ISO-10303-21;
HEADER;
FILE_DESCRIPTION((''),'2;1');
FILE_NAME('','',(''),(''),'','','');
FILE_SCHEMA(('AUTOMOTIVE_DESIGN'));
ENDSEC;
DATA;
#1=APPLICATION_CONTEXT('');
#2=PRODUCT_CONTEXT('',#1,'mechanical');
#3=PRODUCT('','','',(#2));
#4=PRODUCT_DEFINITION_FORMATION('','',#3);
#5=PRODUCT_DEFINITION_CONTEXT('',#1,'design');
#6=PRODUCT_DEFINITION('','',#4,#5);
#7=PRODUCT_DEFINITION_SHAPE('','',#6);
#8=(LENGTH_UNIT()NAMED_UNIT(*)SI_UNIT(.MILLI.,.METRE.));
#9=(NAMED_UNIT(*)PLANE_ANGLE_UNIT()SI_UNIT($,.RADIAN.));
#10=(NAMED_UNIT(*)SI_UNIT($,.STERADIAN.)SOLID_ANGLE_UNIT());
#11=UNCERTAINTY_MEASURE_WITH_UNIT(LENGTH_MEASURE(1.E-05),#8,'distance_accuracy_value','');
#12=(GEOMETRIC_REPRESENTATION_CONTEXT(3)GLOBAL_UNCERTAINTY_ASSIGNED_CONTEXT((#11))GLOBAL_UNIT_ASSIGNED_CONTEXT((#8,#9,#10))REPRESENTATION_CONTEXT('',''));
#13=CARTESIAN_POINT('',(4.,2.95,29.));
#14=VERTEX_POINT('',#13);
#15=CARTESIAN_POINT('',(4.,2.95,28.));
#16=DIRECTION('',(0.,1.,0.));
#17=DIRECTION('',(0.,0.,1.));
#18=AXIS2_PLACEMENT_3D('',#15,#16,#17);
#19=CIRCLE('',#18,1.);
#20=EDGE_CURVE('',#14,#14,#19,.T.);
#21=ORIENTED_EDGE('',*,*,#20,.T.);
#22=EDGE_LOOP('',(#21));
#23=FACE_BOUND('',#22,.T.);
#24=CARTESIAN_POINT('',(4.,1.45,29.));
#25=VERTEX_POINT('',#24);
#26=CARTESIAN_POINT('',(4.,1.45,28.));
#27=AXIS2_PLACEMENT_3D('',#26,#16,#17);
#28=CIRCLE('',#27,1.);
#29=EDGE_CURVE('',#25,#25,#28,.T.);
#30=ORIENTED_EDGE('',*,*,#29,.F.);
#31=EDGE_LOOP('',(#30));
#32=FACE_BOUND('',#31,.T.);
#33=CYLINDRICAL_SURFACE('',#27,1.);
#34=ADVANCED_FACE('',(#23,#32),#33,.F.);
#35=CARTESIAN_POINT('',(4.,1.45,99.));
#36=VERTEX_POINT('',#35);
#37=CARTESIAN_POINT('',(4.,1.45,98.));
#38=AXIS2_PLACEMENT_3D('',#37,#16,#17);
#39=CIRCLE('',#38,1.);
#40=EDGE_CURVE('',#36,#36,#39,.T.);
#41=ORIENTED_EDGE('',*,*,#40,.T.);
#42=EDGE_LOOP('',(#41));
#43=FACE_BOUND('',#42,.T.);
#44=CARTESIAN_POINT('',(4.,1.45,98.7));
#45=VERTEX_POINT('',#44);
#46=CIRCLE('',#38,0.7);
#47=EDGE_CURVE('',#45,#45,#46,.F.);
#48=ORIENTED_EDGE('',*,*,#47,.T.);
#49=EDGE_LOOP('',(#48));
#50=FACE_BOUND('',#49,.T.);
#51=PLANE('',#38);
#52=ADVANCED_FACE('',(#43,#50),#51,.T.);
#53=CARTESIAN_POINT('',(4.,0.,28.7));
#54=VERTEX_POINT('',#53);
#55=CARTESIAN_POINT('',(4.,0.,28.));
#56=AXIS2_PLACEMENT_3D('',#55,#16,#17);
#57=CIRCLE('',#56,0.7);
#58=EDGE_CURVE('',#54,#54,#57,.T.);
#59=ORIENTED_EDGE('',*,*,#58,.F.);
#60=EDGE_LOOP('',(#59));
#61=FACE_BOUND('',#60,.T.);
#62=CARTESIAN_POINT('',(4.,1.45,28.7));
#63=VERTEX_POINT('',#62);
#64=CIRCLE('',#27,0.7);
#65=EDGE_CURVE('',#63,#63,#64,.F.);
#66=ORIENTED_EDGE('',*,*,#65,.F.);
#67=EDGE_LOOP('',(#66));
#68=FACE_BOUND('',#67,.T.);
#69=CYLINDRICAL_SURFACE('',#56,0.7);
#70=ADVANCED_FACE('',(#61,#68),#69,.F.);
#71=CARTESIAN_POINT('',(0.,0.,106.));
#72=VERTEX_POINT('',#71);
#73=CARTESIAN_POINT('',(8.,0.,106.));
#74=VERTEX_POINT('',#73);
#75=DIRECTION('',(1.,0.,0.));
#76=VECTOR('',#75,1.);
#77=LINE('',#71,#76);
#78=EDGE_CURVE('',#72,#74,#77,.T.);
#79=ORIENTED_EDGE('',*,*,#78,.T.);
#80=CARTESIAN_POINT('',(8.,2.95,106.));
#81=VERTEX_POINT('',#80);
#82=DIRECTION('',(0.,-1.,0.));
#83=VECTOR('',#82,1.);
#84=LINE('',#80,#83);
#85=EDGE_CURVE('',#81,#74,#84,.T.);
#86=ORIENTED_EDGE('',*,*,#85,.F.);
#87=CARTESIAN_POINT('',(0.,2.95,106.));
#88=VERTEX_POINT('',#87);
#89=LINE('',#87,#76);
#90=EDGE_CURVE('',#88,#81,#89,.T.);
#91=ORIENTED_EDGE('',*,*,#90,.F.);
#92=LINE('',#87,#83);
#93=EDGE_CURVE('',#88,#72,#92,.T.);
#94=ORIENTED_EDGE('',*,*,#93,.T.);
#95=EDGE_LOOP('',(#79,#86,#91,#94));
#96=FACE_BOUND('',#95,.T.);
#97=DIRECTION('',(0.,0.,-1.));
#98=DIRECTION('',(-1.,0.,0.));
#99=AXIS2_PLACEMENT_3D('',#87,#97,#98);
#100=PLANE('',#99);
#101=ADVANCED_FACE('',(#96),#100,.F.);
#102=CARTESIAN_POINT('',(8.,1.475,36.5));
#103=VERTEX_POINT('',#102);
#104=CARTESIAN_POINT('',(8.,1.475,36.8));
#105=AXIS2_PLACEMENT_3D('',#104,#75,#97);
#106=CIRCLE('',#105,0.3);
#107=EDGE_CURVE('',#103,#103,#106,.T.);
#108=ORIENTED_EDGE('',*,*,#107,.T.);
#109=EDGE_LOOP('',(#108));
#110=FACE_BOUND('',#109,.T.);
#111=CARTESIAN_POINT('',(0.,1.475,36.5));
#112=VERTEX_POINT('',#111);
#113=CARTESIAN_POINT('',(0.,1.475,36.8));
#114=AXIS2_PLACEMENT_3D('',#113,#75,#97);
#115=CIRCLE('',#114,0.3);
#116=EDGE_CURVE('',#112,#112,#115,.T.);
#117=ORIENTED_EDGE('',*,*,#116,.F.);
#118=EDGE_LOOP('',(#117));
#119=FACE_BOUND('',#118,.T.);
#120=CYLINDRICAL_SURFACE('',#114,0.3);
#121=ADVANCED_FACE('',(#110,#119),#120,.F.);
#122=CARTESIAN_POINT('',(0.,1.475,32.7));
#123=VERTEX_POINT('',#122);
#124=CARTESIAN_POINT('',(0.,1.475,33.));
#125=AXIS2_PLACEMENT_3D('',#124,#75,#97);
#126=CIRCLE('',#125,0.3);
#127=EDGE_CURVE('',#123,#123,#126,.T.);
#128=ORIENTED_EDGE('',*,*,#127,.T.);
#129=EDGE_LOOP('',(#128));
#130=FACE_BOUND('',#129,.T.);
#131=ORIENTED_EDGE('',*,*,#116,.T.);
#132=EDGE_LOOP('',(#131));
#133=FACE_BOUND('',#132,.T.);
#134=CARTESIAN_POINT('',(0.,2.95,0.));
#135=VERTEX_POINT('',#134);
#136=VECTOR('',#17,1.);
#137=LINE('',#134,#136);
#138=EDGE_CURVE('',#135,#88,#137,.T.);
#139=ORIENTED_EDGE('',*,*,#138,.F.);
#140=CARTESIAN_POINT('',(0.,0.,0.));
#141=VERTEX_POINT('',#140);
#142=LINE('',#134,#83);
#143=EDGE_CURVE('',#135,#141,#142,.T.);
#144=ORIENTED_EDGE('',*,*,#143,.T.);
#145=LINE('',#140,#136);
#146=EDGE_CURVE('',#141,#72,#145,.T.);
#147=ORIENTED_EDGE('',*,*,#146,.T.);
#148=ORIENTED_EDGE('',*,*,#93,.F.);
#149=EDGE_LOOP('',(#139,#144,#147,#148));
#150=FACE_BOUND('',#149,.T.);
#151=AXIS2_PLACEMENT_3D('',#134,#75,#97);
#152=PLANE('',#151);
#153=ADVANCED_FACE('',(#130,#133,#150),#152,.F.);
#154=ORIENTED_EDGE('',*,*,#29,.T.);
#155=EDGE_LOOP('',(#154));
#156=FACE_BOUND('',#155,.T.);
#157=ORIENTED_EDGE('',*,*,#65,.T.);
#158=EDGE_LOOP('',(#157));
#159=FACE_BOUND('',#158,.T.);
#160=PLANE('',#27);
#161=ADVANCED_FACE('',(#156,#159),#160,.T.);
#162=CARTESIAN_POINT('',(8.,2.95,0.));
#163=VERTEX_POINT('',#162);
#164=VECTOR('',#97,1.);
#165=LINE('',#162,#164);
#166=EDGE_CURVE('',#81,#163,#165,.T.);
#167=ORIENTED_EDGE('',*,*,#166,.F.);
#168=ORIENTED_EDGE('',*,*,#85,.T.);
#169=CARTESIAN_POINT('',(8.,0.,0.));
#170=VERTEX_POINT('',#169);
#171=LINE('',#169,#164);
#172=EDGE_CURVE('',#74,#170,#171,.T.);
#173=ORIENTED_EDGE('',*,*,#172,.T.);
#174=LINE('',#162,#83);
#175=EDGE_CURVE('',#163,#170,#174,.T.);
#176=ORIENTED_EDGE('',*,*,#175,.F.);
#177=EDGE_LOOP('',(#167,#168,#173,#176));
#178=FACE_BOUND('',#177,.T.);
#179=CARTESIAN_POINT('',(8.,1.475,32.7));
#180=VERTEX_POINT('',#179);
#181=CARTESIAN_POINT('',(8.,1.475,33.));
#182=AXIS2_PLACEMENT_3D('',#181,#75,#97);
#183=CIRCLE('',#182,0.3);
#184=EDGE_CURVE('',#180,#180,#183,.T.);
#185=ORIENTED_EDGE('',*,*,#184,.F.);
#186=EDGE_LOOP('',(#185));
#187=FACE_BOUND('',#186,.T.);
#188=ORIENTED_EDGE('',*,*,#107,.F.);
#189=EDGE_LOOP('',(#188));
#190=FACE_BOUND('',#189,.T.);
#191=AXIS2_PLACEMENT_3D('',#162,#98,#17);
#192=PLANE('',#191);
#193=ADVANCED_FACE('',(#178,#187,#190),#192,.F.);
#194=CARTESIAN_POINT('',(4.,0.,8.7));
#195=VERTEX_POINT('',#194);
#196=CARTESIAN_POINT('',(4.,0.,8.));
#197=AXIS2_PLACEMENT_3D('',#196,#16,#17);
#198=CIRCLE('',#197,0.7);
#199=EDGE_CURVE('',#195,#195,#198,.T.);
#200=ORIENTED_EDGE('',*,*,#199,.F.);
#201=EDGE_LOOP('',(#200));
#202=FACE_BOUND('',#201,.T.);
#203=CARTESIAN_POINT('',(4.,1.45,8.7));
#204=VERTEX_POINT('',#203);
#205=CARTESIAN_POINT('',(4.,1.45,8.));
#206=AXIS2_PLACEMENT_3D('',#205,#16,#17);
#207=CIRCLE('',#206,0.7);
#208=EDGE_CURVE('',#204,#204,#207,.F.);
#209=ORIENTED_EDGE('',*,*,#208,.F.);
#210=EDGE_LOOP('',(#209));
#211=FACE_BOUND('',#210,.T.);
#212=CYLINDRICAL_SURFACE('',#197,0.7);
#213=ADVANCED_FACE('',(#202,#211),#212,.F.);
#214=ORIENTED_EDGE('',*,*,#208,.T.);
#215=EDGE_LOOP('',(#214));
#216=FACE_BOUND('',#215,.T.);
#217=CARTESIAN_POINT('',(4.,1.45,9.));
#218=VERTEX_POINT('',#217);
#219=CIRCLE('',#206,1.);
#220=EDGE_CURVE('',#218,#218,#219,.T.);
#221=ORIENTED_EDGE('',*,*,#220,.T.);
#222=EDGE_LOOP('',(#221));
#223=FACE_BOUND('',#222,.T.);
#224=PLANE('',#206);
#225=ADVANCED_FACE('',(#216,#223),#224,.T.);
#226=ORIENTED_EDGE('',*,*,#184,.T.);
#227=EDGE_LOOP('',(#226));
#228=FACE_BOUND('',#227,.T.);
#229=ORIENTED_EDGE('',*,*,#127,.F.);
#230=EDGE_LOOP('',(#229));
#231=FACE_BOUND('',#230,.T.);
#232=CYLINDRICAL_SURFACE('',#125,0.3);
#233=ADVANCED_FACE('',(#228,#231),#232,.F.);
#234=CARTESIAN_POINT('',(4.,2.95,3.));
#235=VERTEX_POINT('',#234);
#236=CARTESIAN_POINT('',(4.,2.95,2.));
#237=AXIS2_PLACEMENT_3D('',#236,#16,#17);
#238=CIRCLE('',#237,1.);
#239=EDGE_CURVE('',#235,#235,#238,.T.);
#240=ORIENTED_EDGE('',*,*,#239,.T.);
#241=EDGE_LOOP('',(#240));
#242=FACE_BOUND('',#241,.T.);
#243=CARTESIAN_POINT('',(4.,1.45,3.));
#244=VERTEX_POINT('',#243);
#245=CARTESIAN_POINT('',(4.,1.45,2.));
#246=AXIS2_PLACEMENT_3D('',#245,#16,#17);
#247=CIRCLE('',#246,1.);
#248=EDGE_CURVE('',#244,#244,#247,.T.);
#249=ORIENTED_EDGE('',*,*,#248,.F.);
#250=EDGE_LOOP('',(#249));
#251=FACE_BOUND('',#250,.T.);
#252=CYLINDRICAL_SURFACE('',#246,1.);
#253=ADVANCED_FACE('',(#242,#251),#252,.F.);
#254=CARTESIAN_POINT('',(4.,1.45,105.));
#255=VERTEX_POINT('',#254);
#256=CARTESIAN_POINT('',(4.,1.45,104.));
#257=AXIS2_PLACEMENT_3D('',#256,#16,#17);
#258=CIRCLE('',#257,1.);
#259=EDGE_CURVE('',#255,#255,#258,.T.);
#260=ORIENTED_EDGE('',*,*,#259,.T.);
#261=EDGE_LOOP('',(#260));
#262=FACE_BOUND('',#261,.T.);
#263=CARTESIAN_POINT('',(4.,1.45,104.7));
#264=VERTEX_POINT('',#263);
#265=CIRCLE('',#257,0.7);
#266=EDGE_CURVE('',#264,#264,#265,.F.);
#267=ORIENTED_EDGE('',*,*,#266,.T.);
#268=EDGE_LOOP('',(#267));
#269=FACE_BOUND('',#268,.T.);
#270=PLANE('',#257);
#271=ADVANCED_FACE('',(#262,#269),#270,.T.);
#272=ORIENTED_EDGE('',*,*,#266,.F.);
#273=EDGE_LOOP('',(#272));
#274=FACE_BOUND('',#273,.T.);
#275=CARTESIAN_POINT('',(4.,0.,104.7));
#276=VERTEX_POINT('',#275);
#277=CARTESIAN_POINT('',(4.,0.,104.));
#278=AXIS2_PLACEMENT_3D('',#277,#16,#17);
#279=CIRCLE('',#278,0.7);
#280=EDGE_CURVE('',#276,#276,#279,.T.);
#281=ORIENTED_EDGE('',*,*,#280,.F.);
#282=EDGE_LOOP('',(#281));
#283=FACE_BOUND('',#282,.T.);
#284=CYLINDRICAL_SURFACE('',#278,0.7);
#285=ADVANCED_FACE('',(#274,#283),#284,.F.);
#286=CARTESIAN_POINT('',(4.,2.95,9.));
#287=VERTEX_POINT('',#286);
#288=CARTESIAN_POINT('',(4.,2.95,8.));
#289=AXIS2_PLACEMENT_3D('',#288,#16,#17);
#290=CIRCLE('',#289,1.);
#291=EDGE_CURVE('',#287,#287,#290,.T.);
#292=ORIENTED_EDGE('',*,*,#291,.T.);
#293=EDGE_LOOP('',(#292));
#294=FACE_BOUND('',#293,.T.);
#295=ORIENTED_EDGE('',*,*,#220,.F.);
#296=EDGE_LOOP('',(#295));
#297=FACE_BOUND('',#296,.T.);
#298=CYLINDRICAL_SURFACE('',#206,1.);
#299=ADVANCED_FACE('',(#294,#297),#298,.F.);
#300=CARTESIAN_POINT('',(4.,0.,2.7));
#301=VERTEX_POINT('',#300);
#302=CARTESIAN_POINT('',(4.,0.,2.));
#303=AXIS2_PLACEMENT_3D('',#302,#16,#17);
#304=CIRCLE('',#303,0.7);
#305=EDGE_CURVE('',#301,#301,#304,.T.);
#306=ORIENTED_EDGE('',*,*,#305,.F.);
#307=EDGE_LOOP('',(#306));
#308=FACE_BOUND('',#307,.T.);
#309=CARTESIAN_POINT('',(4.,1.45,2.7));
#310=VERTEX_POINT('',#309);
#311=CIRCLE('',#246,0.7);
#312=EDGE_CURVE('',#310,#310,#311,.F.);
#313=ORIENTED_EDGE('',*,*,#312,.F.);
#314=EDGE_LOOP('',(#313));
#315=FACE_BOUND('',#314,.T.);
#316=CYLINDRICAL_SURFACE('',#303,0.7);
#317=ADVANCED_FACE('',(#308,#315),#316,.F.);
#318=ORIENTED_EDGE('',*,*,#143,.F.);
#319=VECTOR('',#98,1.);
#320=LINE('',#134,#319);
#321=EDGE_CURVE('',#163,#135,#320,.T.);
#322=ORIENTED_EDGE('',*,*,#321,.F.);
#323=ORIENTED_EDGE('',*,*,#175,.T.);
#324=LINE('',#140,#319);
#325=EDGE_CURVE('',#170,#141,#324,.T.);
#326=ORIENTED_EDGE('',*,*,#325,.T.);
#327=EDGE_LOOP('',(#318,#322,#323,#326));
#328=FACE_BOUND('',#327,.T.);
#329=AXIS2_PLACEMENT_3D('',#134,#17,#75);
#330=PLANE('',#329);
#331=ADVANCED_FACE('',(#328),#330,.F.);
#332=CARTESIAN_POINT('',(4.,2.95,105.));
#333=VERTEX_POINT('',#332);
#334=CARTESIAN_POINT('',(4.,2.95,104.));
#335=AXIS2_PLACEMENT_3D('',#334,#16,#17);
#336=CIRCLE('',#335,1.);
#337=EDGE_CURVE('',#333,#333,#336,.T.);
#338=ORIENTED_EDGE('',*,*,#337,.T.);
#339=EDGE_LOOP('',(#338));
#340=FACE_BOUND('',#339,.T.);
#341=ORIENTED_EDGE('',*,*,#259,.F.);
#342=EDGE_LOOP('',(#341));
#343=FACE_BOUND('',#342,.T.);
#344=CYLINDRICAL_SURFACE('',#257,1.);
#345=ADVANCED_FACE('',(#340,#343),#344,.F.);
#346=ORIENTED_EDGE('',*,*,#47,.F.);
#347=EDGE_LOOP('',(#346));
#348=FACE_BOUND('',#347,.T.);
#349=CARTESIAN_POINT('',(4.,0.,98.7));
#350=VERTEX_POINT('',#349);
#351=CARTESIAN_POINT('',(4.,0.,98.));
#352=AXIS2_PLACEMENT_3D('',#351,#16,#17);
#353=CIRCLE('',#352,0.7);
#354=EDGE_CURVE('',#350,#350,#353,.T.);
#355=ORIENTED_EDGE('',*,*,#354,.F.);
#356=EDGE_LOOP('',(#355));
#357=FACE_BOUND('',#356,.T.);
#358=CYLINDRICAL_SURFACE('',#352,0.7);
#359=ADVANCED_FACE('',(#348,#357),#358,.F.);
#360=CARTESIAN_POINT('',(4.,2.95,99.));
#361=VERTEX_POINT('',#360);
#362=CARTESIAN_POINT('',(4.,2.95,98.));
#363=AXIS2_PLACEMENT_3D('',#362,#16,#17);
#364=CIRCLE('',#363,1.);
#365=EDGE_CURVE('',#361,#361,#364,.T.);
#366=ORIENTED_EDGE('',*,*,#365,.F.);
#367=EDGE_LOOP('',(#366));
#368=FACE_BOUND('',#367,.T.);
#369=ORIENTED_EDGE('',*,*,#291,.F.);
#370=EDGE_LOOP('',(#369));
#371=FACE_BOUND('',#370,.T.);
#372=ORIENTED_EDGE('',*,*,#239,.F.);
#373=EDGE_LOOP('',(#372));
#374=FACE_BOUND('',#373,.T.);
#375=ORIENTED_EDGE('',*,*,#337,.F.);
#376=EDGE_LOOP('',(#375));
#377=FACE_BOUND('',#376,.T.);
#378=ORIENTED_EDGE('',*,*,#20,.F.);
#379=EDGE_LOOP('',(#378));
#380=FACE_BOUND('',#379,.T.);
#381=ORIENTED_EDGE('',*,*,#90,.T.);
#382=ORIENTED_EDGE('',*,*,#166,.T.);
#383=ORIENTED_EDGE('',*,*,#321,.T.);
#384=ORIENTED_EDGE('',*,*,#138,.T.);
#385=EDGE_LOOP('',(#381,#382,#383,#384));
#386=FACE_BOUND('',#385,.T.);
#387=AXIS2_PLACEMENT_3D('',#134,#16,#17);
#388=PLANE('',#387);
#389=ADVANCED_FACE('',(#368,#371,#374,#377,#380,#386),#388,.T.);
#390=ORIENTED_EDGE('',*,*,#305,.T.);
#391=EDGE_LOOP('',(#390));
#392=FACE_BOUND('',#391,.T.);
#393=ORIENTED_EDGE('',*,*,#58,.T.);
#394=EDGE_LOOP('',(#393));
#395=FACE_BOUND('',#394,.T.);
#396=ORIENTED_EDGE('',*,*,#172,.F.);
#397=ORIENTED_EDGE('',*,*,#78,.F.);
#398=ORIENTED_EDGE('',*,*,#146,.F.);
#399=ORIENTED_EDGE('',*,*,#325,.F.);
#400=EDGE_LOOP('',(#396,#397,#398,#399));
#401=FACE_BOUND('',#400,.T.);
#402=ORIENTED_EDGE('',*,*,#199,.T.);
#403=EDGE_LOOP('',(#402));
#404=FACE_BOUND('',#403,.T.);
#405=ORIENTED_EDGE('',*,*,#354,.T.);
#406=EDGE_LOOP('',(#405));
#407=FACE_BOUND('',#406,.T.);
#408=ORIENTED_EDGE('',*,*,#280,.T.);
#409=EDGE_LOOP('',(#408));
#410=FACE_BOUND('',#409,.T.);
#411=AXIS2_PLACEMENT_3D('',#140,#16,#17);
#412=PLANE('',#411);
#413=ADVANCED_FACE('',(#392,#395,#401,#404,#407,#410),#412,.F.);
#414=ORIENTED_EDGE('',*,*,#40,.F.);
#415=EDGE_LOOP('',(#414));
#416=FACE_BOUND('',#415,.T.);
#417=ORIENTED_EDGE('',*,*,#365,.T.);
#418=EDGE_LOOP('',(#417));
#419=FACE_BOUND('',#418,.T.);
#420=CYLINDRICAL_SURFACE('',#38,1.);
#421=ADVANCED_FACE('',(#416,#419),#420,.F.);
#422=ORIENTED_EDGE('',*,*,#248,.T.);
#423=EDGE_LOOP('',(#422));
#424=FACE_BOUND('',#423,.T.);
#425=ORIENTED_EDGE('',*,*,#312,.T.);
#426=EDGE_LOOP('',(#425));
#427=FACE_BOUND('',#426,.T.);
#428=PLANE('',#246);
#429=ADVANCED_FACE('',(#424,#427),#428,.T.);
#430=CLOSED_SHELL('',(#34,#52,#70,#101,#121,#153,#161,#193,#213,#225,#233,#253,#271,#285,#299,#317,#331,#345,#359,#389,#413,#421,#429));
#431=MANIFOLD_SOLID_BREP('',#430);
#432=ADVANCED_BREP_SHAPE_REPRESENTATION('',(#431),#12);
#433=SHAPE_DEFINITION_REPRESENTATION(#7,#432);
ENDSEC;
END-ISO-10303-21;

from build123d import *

# Parameters (mm, degrees)
SKETCH_1_W          = 8
SKETCH_1_H          = 106
EXTRUDE_1_DEPTH     = 2.95
SKETCH_2_R          = 0.7
CUT_EXTRUDE_1_DEPTH = 107.342383366
SKETCH_2_3_R        = 1
CUT_EXTRUDE_2_DEPTH = 1.5
SKETCH_3_R          = 0.3
CUT_EXTRUDE_3_DEPTH = 107.342383366


with BuildPart() as part:
    # 草图1 → 凸台-拉伸1 (new body)
    with BuildSketch(Plane(origin=(0, 0, 0), x_dir=(1, 0, 0), z_dir=(0, 1, 0))):
        with Locations((4, -53)):
            Rectangle(SKETCH_1_W, SKETCH_1_H)
    extrude(amount=EXTRUDE_1_DEPTH)

    # 草图2 → 切除-拉伸1 (cut, through all)
    with BuildSketch(Plane(origin=(0, 2.95, 0), x_dir=(1, 0, 0), z_dir=(0, 1, 0))):
        with Locations((4, -8)):
            Circle(SKETCH_2_R)
        with Locations((4, -2)):
            Circle(SKETCH_2_R)
        with Locations((4, -104)):
            Circle(SKETCH_2_R)
        with Locations((4, -98)):
            Circle(SKETCH_2_R)
        with Locations((4, -28)):
            Circle(SKETCH_2_R)
    extrude(amount=-CUT_EXTRUDE_1_DEPTH, mode=Mode.SUBTRACT)

    # 草图2<3> → 切除-拉伸2 (cut)
    with BuildSketch(Plane(origin=(0, 2.95, 0), x_dir=(1, 0, 0), z_dir=(0, 1, 0))):
        with Locations((4, -8)):
            Circle(SKETCH_2_3_R)
        with Locations((4, -2)):
            Circle(SKETCH_2_3_R)
        with Locations((4, -104)):
            Circle(SKETCH_2_3_R)
        with Locations((4, -98)):
            Circle(SKETCH_2_3_R)
        with Locations((4, -28)):
            Circle(SKETCH_2_3_R)
    extrude(amount=-CUT_EXTRUDE_2_DEPTH, mode=Mode.SUBTRACT)

    # 草图3 → 切除-拉伸3 (cut, through all)
    with BuildSketch(Plane(origin=(8, 0, 0), x_dir=(0, 0, -1), z_dir=(1, 0, 0))):
        with Locations((-33, 1.475)):
            Circle(SKETCH_3_R)
        with Locations((-36.8, 1.475)):
            Circle(SKETCH_3_R)
    extrude(amount=-CUT_EXTRUDE_3_DEPTH, mode=Mode.SUBTRACT)


solid = part.part
